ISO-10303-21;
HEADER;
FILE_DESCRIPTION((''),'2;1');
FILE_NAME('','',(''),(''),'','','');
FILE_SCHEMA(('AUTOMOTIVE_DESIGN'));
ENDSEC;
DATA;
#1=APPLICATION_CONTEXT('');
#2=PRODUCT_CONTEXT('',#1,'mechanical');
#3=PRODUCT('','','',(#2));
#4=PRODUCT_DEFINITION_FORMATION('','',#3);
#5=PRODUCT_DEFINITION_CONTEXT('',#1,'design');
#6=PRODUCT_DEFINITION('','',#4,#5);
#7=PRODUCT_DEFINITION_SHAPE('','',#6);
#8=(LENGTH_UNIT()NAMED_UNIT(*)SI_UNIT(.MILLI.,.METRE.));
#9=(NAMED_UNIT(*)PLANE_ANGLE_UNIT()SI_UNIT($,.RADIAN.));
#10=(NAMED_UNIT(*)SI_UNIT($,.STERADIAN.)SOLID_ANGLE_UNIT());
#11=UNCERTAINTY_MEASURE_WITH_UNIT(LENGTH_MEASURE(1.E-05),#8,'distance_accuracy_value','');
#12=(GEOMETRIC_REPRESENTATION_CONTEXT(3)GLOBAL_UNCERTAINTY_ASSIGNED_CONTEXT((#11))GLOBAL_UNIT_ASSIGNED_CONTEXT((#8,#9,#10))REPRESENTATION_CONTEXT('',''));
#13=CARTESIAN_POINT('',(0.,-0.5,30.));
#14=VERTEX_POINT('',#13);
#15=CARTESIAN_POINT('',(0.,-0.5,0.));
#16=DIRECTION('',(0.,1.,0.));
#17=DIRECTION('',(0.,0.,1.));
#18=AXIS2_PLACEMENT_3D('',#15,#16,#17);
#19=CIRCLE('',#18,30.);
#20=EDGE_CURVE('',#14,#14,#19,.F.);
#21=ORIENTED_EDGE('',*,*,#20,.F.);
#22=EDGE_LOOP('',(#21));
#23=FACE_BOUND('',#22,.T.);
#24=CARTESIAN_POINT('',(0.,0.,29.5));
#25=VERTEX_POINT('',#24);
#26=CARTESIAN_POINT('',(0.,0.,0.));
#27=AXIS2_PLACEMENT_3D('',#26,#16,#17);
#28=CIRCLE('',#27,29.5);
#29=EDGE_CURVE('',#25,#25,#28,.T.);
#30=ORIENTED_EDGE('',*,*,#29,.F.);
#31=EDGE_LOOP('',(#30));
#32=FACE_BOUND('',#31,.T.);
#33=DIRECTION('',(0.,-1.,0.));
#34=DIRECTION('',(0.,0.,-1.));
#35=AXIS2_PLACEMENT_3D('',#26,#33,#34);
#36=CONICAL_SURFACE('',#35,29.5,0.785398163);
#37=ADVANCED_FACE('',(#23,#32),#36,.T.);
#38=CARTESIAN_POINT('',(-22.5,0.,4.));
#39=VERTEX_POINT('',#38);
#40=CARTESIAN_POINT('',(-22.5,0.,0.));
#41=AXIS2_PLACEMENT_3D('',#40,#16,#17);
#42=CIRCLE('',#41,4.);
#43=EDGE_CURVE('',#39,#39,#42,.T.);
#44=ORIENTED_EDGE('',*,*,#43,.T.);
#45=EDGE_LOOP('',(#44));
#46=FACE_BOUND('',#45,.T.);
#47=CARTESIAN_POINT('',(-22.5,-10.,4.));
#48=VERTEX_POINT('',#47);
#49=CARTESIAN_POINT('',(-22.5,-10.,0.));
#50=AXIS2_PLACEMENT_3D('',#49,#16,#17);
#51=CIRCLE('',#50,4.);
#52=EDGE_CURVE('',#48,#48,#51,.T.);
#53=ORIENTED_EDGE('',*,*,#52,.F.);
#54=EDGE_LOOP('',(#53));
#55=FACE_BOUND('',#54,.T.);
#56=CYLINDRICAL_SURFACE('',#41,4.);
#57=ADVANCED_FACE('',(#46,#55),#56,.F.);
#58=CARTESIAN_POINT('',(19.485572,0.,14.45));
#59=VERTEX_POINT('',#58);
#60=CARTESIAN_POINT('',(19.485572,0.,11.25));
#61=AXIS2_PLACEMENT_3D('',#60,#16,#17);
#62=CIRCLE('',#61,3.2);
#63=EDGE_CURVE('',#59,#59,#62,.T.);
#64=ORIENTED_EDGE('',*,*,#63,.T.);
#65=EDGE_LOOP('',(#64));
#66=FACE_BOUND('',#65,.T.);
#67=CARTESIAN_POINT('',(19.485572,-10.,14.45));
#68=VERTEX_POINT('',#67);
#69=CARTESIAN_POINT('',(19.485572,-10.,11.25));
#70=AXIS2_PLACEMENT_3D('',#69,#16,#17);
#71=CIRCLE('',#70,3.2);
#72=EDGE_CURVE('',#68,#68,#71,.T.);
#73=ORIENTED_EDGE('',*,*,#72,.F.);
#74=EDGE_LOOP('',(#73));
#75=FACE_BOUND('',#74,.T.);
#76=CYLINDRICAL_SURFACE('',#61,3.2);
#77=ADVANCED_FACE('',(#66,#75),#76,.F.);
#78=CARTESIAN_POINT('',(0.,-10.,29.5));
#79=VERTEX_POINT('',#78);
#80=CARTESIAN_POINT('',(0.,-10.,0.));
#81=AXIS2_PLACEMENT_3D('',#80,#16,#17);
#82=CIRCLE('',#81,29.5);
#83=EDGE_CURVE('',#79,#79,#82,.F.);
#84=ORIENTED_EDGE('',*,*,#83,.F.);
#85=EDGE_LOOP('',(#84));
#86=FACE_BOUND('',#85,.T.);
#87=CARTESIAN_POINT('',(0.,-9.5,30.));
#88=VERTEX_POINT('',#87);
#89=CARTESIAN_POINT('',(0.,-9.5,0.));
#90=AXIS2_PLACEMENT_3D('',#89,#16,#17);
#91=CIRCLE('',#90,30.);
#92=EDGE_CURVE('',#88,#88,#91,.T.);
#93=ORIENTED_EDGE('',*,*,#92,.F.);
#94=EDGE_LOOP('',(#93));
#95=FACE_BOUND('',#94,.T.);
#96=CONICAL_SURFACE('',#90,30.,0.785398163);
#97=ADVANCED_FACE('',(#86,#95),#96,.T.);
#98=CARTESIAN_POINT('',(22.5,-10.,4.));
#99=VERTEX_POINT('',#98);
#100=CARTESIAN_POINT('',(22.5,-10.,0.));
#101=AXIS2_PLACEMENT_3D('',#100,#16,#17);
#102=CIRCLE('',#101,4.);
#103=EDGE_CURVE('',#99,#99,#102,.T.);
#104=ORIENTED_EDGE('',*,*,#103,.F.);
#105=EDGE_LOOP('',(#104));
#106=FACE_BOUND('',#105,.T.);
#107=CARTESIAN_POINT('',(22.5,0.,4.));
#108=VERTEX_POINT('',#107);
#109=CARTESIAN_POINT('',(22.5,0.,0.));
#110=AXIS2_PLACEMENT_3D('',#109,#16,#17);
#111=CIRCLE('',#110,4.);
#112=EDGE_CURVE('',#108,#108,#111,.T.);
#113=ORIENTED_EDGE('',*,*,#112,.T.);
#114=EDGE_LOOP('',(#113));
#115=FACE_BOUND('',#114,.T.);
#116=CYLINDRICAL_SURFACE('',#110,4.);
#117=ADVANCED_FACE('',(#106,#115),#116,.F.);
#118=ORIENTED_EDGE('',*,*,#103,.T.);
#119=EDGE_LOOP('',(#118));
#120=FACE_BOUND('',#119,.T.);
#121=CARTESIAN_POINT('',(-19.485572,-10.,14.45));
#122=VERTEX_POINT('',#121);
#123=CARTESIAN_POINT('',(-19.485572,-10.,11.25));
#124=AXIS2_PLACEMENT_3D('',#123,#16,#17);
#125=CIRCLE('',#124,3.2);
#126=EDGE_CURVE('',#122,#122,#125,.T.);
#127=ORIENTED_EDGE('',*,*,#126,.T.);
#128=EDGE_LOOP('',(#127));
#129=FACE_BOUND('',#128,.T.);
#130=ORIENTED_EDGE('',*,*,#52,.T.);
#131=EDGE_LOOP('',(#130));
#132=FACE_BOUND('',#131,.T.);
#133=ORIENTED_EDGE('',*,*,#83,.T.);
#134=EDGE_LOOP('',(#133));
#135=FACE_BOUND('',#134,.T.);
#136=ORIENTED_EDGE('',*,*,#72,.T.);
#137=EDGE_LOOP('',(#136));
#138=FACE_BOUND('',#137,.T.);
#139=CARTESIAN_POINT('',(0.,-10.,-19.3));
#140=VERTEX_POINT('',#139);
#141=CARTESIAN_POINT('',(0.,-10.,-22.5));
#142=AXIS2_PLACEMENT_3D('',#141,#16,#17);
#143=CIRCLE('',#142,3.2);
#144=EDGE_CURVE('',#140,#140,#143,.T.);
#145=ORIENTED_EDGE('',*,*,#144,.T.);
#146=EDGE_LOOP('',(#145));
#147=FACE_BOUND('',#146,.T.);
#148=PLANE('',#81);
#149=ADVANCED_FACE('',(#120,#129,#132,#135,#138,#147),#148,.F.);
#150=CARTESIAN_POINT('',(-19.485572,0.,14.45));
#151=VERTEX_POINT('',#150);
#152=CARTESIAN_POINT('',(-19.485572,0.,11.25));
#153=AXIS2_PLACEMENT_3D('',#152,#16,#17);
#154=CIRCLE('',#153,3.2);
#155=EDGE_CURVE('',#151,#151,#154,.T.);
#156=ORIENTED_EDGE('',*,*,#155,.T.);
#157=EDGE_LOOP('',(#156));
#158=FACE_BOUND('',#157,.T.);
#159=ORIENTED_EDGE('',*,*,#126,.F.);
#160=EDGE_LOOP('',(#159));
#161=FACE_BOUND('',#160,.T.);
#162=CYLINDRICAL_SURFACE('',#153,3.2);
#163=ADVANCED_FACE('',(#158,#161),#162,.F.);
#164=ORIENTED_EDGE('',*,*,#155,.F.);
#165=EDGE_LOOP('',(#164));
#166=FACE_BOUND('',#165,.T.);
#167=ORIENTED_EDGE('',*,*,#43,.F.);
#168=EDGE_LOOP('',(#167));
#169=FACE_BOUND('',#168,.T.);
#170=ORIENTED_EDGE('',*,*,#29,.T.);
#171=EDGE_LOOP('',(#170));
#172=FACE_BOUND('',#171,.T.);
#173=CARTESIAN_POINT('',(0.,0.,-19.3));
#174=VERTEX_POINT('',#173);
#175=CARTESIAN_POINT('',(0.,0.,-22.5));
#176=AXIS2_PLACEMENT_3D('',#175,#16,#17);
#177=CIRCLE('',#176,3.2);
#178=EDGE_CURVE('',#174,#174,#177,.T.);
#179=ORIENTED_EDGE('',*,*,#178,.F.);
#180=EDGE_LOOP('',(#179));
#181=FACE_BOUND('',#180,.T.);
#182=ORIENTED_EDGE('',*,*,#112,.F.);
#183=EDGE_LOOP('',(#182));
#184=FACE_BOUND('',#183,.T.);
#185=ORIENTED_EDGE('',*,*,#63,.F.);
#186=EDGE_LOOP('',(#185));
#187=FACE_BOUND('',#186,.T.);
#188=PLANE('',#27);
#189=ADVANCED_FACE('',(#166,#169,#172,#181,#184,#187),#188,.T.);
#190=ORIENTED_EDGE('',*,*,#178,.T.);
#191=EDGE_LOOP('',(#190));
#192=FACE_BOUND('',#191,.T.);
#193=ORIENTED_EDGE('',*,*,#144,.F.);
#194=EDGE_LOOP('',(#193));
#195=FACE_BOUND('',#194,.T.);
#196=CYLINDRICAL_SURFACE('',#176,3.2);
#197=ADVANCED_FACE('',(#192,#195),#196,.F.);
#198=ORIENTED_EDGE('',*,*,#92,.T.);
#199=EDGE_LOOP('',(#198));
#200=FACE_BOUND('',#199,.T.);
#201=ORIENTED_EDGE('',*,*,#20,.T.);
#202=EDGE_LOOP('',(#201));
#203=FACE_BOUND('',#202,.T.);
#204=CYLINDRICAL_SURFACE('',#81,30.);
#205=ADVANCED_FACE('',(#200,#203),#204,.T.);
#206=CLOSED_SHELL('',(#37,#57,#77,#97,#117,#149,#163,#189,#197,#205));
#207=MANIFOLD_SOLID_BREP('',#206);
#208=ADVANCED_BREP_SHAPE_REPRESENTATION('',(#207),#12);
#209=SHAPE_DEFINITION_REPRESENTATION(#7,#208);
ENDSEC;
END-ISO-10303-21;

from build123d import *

# Parameters (mm, degrees)
SKETCH1_R             = 30
BOSS_EXTRUDE1_DEPTH   = 10
F_8_0MM_DOWEL_HOLE1_D = 8
M6_CLEARANCE_HOLE1_D  = 6.4
CHAMFER1_SIZE         = 0.5


with BuildPart() as part:
    # Sketch1 → Boss-Extrude1 (new body)
    with BuildSketch(Plane(origin=(0, 0, 0), x_dir=(1, 0, 0), z_dir=(0, 1, 0))):
        with Locations(Location((0, 0, 0), (0, 0, 270))):
            Circle(SKETCH1_R)
    extrude(amount=-BOSS_EXTRUDE1_DEPTH)

    # Ø8.0mm Dowel Hole1 (through all)
    with Locations(Plane(origin=(0, 0, 0), x_dir=(1, 0, 0), z_dir=(0, 1, 0))):
        with Locations((-22.5, 0), (22.5, 0)):
            Hole(F_8_0MM_DOWEL_HOLE1_D / 2)

    # M6 Clearance Hole1 (through all)
    with Locations(Plane(origin=(0, 0, 0), x_dir=(1, 0, 0), z_dir=(0, 1, 0))):
        with Locations((19.485571585, -11.25), (-19.485571585, -11.25), (0, 22.5)):
            Hole(M6_CLEARANCE_HOLE1_D / 2)

    # Chamfer1
    chamfer1_edges = [part.edges().sort_by_distance(p)[0] for p in [
        (0, 0, -30),
        (0, -10, -30),
    ]]
    chamfer(chamfer1_edges, length=CHAMFER1_SIZE)


solid = part.part
